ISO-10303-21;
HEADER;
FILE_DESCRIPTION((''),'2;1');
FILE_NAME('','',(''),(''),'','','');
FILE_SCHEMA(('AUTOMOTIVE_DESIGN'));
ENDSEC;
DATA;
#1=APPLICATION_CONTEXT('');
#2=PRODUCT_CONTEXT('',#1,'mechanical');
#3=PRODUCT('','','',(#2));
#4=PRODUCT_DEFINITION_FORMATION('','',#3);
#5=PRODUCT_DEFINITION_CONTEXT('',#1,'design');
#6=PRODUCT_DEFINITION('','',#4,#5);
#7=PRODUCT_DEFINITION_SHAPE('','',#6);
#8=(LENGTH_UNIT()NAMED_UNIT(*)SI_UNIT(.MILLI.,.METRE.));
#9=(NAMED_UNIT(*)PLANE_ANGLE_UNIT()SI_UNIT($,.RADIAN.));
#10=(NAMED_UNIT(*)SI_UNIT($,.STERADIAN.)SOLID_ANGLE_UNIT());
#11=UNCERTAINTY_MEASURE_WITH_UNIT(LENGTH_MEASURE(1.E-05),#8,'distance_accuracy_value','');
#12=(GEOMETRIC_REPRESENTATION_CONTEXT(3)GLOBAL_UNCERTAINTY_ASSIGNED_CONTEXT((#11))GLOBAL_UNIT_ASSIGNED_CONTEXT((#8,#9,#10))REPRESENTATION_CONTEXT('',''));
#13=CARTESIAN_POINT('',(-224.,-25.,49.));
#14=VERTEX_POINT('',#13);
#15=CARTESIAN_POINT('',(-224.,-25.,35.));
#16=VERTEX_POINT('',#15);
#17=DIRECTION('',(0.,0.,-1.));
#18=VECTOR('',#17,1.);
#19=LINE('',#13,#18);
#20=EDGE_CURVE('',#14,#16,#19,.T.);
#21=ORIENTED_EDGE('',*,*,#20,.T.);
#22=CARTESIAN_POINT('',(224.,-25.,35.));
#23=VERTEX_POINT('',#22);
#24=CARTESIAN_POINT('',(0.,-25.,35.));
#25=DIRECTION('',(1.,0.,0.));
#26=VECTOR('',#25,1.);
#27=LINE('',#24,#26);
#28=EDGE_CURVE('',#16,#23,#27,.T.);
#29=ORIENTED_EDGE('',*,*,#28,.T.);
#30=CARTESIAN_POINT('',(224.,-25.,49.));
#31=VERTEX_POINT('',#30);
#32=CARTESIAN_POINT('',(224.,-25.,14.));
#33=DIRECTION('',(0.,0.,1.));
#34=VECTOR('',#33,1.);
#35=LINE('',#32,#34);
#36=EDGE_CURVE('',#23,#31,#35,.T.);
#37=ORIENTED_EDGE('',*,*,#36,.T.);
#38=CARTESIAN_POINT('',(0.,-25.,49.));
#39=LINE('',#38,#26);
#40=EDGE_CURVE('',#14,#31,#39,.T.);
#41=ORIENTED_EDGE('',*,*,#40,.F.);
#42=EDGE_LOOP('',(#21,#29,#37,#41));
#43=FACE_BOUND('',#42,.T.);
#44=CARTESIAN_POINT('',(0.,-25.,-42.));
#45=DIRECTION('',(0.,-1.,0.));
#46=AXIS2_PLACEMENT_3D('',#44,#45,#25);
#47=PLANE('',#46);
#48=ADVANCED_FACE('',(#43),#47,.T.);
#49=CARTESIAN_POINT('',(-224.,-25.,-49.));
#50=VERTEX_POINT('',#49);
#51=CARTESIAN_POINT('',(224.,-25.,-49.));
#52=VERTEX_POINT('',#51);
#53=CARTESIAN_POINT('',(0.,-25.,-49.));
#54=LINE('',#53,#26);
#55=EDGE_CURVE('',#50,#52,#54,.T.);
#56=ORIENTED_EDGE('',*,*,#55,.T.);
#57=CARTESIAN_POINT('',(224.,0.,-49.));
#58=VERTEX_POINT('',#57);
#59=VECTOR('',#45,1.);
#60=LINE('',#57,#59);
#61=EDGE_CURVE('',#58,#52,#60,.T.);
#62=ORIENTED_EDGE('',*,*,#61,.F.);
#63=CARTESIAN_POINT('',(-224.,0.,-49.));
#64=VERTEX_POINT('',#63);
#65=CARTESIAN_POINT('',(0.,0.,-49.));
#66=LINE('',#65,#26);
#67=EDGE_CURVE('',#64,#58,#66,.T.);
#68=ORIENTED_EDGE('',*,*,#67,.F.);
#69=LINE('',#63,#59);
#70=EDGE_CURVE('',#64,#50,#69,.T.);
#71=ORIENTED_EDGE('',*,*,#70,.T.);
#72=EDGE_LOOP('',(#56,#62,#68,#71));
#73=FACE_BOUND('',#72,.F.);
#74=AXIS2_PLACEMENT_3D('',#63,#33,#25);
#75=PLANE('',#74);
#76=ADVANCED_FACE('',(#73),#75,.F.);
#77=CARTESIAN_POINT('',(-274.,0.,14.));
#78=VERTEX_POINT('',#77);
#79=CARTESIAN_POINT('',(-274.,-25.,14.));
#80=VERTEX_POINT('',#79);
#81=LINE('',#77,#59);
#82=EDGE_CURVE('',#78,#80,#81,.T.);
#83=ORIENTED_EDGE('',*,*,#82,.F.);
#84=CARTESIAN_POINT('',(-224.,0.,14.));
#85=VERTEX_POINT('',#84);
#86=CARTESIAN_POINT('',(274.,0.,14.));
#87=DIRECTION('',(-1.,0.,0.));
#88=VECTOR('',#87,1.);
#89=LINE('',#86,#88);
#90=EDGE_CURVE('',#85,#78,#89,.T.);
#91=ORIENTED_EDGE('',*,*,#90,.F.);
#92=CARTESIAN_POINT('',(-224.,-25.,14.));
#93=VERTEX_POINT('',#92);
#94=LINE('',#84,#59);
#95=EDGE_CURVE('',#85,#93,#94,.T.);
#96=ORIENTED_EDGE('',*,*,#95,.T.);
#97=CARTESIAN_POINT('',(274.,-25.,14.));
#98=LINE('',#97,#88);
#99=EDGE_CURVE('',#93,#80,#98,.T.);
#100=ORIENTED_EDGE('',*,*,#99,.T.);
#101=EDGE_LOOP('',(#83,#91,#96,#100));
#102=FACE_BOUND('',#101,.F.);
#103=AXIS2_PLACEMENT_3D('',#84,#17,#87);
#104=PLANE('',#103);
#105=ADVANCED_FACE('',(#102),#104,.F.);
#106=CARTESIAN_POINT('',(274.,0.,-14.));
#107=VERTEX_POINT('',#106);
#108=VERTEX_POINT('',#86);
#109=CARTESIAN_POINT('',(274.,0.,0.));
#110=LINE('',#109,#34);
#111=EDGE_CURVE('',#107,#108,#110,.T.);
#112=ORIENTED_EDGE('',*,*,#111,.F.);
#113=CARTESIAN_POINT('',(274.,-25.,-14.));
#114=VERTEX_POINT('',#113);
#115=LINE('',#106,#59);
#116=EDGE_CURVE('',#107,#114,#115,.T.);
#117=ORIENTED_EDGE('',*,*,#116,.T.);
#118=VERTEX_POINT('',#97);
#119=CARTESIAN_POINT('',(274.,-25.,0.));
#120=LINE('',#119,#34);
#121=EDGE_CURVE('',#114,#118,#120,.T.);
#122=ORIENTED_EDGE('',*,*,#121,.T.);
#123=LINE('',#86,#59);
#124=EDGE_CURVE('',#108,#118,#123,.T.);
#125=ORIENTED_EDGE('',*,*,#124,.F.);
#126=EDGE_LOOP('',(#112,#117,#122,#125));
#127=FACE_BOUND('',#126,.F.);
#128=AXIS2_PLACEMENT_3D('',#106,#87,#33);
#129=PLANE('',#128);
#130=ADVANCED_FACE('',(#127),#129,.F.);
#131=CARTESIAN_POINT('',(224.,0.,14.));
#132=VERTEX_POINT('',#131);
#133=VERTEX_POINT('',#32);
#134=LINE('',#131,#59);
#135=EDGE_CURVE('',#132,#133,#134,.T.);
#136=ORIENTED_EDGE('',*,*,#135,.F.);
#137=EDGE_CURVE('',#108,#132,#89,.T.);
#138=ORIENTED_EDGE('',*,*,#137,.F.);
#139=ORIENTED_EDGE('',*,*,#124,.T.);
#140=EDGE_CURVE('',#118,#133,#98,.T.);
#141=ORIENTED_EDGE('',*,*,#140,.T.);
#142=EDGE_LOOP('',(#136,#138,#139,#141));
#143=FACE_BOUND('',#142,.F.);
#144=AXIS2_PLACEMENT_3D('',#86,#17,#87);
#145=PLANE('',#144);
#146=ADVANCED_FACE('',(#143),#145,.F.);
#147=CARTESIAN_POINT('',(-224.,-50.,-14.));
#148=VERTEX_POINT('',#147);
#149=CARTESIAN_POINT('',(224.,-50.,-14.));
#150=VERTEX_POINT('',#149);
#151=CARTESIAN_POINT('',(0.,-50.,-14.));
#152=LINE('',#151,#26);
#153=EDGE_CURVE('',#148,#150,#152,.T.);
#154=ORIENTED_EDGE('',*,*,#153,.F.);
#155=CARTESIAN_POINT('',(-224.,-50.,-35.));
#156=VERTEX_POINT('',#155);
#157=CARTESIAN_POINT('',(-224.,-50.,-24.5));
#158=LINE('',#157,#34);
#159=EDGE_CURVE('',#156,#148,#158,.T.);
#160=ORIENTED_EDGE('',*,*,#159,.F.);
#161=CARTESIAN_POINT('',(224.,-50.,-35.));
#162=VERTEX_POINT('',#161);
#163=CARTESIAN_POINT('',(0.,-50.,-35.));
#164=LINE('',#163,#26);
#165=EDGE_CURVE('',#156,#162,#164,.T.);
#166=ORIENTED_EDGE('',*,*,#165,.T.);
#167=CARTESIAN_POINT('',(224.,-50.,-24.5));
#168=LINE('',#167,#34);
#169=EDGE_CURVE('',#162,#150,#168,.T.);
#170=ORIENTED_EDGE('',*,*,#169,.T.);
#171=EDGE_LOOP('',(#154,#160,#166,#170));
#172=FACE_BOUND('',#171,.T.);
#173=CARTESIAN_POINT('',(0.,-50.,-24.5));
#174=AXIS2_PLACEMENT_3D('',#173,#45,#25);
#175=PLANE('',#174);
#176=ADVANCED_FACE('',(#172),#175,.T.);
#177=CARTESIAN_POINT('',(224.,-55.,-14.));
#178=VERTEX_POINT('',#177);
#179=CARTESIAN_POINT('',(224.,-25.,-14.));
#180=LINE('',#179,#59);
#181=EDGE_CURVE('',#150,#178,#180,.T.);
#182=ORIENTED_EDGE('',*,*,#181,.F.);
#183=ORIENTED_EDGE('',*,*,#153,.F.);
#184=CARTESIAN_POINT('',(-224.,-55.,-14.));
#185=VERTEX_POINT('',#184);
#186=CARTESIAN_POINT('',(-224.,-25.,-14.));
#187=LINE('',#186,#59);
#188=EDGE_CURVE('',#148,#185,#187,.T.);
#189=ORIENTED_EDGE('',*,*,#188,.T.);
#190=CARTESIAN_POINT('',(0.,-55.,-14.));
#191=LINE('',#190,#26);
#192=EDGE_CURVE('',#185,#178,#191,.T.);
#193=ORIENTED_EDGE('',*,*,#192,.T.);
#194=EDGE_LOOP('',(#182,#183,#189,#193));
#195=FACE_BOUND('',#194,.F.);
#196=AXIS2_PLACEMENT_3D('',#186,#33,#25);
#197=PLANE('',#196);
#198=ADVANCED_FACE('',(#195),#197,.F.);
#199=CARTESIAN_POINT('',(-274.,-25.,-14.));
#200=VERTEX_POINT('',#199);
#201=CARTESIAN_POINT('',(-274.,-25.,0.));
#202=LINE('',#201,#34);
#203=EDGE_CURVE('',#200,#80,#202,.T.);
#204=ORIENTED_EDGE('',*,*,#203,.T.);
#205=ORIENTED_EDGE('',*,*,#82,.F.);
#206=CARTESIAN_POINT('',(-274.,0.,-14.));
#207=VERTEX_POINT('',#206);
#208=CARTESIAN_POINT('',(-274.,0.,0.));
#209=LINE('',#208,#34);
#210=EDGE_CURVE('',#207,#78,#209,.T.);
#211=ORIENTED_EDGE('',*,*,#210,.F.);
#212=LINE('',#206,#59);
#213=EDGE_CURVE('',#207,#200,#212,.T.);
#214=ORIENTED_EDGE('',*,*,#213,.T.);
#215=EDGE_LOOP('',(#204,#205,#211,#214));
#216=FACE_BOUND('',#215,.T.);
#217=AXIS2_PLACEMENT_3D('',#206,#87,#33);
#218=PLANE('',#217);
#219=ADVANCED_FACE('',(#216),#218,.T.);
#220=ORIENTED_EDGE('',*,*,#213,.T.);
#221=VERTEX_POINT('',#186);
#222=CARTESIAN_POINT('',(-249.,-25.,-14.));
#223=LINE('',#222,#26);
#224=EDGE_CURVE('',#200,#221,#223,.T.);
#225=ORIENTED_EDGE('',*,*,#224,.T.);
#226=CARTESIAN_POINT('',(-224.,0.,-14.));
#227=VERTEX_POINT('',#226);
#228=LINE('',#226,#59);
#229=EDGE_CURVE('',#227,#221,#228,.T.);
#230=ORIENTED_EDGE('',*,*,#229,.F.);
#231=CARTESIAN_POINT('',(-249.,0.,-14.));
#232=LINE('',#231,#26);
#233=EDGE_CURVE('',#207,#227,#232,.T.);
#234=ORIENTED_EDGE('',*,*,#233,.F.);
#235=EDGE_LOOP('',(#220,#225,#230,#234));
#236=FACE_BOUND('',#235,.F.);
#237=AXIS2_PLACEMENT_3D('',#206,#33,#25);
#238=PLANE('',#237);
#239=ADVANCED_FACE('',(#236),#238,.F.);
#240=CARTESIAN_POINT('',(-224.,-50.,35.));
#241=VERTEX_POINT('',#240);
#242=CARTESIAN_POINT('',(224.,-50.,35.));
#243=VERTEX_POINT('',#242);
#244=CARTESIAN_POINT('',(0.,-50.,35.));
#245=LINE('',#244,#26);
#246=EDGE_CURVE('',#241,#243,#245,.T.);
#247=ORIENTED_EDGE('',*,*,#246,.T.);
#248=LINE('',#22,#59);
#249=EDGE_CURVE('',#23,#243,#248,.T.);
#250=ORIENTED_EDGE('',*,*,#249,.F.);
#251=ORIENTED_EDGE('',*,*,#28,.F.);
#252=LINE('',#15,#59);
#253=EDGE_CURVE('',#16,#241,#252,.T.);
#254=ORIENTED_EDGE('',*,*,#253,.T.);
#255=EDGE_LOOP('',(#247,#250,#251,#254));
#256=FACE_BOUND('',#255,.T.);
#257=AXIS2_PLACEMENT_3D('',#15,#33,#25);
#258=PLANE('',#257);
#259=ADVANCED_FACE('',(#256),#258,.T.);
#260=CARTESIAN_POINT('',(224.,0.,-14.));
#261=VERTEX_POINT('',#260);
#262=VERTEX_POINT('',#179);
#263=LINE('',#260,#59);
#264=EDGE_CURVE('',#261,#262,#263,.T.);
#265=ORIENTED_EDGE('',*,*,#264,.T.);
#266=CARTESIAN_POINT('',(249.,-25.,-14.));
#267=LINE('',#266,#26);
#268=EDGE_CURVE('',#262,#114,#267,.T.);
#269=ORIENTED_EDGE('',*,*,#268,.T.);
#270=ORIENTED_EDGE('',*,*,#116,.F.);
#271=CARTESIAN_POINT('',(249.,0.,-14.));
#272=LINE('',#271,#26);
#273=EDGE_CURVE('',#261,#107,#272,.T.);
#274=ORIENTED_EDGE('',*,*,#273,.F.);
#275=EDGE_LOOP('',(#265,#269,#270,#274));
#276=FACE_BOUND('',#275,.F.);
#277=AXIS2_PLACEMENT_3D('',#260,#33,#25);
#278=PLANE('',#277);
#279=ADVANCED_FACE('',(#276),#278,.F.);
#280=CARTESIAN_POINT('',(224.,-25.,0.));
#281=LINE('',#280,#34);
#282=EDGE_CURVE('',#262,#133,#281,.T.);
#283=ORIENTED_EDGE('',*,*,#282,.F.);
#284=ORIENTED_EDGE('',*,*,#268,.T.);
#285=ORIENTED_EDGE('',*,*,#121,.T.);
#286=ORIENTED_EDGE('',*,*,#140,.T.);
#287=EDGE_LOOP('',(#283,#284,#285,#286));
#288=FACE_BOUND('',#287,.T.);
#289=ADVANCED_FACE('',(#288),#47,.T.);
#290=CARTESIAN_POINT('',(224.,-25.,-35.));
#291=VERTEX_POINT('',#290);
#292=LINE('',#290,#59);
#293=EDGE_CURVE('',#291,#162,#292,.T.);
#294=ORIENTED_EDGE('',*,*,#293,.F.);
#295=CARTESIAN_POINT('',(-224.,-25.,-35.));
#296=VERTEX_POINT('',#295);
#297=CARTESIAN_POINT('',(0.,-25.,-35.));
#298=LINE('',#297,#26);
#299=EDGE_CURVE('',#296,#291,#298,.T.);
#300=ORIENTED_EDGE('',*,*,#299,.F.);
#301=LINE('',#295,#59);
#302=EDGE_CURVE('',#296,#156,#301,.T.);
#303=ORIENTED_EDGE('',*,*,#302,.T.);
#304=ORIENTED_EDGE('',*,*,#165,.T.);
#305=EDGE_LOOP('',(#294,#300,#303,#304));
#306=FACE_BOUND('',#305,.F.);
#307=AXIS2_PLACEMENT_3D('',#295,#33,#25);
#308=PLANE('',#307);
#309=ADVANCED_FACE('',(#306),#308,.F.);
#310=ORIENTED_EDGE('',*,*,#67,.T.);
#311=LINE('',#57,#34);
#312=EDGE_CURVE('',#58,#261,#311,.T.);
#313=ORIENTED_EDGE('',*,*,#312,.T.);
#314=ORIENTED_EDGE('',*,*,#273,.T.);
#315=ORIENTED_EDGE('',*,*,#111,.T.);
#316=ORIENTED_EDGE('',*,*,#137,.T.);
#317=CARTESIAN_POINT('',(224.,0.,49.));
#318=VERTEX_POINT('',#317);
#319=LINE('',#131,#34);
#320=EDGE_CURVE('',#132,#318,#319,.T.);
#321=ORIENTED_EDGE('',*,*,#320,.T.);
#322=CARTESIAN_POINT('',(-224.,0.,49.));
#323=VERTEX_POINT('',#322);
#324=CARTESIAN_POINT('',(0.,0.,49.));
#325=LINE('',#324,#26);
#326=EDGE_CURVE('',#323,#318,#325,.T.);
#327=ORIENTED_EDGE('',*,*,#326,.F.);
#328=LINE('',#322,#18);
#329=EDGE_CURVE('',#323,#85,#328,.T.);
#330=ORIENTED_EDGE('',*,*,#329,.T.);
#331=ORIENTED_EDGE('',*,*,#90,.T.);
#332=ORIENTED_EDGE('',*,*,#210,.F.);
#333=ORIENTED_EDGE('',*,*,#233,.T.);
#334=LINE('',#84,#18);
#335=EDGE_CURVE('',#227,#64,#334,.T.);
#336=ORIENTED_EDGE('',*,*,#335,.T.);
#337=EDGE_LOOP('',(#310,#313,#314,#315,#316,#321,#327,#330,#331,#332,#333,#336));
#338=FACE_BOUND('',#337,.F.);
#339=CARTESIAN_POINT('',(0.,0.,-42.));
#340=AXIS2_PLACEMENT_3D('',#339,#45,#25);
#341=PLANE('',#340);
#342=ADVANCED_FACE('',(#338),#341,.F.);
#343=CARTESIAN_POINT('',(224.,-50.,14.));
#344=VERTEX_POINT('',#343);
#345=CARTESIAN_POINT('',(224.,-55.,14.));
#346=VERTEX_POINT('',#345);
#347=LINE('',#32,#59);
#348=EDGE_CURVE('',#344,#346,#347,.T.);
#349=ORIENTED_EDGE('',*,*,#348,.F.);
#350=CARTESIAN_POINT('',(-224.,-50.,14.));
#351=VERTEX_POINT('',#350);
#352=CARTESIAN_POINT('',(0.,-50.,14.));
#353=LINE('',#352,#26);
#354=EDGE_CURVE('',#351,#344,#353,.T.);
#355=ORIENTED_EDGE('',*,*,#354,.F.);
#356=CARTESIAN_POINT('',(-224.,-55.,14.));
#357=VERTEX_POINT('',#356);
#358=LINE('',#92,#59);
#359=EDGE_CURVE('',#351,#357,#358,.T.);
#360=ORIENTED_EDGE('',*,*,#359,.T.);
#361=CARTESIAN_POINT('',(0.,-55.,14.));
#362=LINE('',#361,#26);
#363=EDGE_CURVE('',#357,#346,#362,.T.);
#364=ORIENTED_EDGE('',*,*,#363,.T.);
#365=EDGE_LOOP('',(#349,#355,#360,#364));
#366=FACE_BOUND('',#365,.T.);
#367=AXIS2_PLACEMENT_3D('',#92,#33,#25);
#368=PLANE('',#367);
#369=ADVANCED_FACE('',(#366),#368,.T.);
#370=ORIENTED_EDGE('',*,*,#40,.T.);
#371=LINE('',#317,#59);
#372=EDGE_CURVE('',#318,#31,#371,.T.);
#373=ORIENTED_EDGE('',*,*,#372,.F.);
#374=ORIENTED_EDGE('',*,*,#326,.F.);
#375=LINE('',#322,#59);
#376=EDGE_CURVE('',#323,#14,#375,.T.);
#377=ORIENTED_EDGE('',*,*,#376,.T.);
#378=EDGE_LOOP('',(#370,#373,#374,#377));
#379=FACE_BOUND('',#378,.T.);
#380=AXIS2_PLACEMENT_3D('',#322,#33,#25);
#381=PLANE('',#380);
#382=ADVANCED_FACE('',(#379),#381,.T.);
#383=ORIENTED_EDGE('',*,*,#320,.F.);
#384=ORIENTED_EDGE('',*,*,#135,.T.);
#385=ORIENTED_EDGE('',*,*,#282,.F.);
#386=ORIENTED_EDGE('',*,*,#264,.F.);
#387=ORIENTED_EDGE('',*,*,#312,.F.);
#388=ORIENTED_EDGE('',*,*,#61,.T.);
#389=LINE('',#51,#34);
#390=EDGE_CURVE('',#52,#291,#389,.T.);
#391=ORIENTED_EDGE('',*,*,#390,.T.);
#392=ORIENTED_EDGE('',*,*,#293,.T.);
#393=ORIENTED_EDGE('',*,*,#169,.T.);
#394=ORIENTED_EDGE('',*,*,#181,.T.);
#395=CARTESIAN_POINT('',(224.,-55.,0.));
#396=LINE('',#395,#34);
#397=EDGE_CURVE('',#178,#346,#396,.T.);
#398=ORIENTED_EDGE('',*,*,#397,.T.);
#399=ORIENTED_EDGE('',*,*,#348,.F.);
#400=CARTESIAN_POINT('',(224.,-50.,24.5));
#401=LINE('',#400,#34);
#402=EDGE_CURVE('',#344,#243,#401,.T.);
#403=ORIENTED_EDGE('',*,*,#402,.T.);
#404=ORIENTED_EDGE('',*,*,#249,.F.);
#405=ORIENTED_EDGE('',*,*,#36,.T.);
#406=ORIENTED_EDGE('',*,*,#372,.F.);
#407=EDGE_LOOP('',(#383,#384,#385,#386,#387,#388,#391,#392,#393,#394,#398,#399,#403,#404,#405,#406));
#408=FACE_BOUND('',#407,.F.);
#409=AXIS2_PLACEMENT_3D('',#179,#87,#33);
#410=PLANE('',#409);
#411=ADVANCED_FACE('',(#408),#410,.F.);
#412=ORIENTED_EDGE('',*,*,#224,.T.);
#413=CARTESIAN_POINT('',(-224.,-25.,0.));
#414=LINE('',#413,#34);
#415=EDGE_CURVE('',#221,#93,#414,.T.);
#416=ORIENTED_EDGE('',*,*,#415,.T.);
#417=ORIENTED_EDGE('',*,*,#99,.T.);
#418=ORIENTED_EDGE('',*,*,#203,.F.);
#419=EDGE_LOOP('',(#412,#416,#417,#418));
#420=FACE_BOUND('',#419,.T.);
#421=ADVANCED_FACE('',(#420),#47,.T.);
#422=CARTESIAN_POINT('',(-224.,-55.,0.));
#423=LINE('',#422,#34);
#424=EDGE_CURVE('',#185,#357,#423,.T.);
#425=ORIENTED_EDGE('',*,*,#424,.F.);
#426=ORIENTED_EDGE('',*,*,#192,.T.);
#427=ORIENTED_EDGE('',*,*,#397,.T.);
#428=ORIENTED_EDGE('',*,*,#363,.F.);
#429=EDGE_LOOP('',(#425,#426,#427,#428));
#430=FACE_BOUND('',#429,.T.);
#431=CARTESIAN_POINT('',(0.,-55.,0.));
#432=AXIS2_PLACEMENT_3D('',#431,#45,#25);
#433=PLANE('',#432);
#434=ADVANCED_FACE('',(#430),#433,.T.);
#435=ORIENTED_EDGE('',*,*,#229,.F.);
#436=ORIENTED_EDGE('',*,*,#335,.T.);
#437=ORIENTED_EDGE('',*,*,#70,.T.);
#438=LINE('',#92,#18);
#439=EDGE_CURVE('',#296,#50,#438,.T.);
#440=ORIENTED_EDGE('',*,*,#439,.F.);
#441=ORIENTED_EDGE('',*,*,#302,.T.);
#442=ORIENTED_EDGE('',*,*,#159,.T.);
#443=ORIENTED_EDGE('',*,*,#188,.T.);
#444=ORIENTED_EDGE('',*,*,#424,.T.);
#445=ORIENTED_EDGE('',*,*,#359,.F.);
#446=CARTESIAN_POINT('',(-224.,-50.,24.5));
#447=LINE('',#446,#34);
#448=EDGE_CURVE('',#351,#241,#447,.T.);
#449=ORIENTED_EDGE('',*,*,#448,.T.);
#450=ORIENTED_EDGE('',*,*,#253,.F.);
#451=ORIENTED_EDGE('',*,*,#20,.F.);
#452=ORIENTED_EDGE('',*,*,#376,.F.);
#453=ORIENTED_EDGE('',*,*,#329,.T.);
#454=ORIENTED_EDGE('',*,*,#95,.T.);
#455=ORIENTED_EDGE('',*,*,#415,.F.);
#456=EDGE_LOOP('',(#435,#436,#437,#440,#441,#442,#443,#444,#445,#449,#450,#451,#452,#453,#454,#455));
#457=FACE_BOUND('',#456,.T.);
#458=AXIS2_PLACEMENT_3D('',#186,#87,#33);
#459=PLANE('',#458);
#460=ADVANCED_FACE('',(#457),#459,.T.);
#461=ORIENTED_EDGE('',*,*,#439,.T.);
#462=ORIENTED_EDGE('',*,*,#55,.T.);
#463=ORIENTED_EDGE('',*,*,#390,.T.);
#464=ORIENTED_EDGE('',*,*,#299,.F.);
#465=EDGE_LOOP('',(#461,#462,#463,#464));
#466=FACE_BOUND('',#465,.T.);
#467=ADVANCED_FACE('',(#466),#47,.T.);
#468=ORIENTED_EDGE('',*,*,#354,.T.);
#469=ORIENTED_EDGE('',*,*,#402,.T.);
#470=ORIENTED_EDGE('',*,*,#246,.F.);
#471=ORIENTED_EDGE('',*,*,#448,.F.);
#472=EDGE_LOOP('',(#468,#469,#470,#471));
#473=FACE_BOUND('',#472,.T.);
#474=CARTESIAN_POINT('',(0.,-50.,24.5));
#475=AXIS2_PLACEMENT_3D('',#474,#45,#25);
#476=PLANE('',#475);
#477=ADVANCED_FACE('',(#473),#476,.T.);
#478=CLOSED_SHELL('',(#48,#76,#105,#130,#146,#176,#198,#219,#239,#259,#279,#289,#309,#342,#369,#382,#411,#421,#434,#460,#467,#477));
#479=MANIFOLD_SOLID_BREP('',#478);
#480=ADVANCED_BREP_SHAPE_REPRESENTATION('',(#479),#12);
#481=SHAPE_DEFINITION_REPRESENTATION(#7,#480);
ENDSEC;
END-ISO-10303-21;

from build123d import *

# Parameters (mm, degrees)
F0_W     = 448
F0_H     = 14
F0_H_2   = 21
F0_W_2   = 50
F0_H_3   = 28
F1_DEPTH = 25
F2_W     = 448
F2_H     = 21
F3_DEPTH = 25
F4_W     = 448
F4_H     = 28
F5_DEPTH = 30


with BuildPart() as f1:
    # F0 (on Front) → F1 (new body)
    with BuildSketch(Plane.XZ):
        with Locations((0, -42)):
            Rectangle(F0_W, F0_H)
        with Locations((0, -24.5)):
            Rectangle(F0_W, F0_H_2)
        with Locations((249, 0)):
            Rectangle(F0_W_2, F0_H_3)
        Rectangle(F0_W, F0_H_3)
        with Locations((-249, 0)):
            Rectangle(F0_W_2, F0_H_3)
        with Locations((0, 24.5)):
            Rectangle(F0_W, F0_H_2)
        with Locations((0, 42)):
            Rectangle(F0_W, F0_H)
    extrude(amount=F1_DEPTH)

    # F2 (on face) → F3 (join)
    with BuildSketch(Plane.XZ.offset(25)):
        with Locations((0, 24.5)):
            Rectangle(F2_W, F2_H)
        with Locations((0, -24.5)):
            Rectangle(F2_W, F2_H)
    extrude(amount=F3_DEPTH)

    # F4 (on face) → F5 (join)
    with BuildSketch(Plane.XZ.offset(25)):
        Rectangle(F4_W, F4_H)
    extrude(amount=F5_DEPTH)


solid = f1.part
